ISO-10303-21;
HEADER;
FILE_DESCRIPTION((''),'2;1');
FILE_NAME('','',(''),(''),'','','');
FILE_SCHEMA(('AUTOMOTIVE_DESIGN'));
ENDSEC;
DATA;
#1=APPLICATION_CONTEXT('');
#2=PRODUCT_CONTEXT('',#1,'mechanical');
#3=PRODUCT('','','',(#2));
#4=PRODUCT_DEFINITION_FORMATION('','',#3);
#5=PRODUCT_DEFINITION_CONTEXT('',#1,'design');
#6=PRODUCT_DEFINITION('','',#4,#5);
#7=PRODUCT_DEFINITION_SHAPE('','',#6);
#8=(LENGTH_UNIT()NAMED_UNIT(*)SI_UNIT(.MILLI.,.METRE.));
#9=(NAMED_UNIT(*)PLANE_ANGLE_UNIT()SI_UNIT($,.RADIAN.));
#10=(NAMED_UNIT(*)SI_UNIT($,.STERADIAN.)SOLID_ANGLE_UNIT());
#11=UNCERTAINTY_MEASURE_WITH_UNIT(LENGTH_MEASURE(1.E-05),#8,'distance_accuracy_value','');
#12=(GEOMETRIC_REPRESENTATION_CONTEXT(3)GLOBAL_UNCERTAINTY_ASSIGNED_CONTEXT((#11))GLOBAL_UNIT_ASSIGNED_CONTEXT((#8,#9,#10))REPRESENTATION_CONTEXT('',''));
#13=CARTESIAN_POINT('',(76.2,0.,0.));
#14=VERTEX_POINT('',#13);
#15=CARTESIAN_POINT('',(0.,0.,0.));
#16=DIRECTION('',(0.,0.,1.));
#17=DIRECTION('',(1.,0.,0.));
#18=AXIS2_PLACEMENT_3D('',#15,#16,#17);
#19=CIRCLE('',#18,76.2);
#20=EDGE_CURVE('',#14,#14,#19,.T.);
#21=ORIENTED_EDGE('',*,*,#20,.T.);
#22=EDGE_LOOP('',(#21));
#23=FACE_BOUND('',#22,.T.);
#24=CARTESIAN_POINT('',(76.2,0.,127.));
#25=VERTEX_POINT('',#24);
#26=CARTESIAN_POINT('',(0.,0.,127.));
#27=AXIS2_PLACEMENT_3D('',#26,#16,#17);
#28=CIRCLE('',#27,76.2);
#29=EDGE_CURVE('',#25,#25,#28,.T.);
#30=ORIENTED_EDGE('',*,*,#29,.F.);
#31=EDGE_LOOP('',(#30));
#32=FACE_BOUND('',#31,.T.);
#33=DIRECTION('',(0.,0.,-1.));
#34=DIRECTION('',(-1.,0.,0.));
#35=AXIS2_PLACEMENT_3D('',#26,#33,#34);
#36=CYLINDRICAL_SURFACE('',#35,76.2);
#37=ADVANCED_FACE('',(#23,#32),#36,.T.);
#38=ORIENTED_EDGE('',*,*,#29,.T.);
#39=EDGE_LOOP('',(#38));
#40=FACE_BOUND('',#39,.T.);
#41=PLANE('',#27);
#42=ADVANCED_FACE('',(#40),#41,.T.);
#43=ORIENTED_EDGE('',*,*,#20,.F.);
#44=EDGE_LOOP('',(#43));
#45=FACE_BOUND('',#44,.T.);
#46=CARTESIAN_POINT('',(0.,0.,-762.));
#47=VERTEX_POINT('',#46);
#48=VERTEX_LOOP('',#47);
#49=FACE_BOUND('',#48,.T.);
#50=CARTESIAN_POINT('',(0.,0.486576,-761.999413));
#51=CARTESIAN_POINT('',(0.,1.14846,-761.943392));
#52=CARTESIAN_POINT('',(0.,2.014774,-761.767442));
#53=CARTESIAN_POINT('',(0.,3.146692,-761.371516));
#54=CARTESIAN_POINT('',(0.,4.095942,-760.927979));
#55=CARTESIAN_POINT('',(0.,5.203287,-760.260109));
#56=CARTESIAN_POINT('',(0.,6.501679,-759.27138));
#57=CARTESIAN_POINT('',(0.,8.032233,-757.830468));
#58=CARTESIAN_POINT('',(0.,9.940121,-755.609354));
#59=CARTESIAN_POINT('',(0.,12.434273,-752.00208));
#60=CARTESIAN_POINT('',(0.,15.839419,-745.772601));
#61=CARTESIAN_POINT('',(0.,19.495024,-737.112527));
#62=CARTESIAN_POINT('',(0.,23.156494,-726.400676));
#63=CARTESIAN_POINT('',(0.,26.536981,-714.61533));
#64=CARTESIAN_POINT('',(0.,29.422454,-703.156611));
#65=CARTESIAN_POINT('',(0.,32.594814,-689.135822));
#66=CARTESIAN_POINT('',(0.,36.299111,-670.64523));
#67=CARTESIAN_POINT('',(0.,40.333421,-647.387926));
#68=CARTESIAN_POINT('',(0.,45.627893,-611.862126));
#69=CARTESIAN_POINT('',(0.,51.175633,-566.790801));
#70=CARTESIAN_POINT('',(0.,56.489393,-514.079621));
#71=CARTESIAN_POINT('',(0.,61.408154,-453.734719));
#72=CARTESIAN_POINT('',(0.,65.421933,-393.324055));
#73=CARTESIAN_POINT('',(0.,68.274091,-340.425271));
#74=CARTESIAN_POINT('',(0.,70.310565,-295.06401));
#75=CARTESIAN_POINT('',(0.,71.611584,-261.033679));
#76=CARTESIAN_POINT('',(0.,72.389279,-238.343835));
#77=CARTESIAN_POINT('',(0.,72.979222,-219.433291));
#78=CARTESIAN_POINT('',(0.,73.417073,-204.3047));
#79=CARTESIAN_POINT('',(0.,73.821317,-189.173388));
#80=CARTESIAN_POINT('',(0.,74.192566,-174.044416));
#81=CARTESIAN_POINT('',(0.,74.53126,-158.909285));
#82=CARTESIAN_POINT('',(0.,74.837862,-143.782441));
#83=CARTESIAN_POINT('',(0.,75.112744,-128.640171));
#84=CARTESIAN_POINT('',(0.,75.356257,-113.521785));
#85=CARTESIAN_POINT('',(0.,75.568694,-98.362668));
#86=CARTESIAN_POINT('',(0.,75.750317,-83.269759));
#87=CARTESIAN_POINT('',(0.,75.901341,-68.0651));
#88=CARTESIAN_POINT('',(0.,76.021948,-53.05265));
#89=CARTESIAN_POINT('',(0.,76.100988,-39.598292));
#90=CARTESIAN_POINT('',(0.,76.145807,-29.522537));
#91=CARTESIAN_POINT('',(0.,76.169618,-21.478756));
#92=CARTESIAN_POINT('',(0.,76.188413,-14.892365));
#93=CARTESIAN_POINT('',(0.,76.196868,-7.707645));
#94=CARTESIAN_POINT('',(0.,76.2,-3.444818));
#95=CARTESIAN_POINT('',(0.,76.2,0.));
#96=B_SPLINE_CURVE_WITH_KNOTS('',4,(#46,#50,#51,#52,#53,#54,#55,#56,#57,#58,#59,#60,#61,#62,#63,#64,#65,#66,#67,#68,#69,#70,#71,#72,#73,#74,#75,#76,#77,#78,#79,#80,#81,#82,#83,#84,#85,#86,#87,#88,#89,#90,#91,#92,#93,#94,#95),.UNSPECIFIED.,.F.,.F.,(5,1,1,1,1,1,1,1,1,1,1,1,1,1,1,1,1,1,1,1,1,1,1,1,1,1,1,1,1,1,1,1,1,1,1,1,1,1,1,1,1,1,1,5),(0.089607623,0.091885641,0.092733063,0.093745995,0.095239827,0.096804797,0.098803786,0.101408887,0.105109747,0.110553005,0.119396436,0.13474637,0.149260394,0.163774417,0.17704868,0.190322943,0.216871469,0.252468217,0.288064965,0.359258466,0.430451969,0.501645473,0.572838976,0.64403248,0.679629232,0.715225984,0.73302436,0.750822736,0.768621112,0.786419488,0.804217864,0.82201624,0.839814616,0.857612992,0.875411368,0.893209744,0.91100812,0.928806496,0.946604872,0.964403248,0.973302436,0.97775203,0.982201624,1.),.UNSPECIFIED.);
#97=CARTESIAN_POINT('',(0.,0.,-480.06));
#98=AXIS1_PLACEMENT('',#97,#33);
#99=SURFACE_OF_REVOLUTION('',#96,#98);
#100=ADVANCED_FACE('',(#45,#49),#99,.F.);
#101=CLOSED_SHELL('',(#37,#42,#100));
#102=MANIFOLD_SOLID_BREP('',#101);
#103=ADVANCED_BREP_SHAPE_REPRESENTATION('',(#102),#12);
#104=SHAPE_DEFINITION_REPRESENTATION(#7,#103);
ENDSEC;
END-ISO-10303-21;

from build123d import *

# Parameters (mm, degrees)
SKETCH2_R           = 76.2
BOSS_EXTRUDE1_DEPTH = 127


with BuildPart() as part:
    # Sketch1 → Revolve1 (revolve)
    with BuildSketch(Plane(origin=(0, 0, 0), x_dir=(0, 0, -1), z_dir=(1, 0, 0))):
        with BuildLine():
            Line((0, 76.2), (0, 0))
            Line((0, 0), (762, 0))
            add(Edge.make_bspline(
                [(0, 76.2), (3.444818104, 76.2), (7.707644969, 76.19686838), (14.892365203, 76.188413012), (21.478756426, 76.169617779), (29.522537352, 76.145806533), (39.598292117, 76.10098801), (53.052649609, 76.021948219), (68.065099576, 75.901341261), (83.269759086, 75.750316983), (98.362667519, 75.568694102), (113.521785183, 75.356256889), (128.640171029, 75.112743812), (143.782440946, 74.837862162), (158.909284972, 74.531259641), (174.044415613, 74.192565633), (189.173388186, 73.821317355), (204.304699793, 73.417073214), (219.433291243, 72.979222414), (238.343835211, 72.389279468), (261.033679037, 71.611583805), (295.064010425, 70.310564845), (340.425271329, 68.274091046), (393.324055346, 65.421933445), (453.734719278, 61.408154248), (514.079621007, 56.489392811), (566.790800709, 51.175633377), (611.862125806, 45.627893186), (647.387926465, 40.333421248), (670.645230155, 36.299110575), (689.135822315, 32.594813789), (703.156611323, 29.422453941), (714.615330258, 26.536981051), (726.400675577, 23.156494002), (737.112527419, 19.495024056), (745.772601329, 15.839419247), (752.002079813, 12.434272758), (755.60935351, 9.940121258), (757.830468181, 8.032232587), (759.271379797, 6.50167925), (760.260109141, 5.203286944), (760.927979402, 4.095942308), (761.371516483, 3.146692178), (761.767441532, 2.014774351), (761.943391779, 1.148460367), (761.99941294, 0.486576307), (762, 0)],
                knots=[0.089607623, 0.089607623, 0.089607623, 0.089607623, 0.089607623, 0.107405999, 0.111855593, 0.116305187, 0.125204375, 0.143002751, 0.160801127, 0.178599503, 0.196397879, 0.214196255, 0.231994631, 0.249793007, 0.267591383, 0.285389759, 0.303188135, 0.320986511, 0.338784887, 0.356583263, 0.374381639, 0.409978391, 0.445575143, 0.516768647, 0.58796215, 0.659155654, 0.730349157, 0.801542658, 0.837139406, 0.872736154, 0.89928468, 0.912558943, 0.925833205, 0.940347229, 0.954861253, 0.970211187, 0.979054618, 0.984497876, 0.988198736, 0.990803837, 0.992802826, 0.994367796, 0.995861628, 0.99687456, 0.997721982, 1, 1, 1, 1, 1], degree=4))
        make_face()
    revolve(axis=Axis((0, 0, -480.06), (0, 0, 1)))

    # Sketch2 → Boss-Extrude1 (add)
    with BuildSketch(Plane.XY):
        Circle(SKETCH2_R)
    extrude(amount=BOSS_EXTRUDE1_DEPTH)


solid = part.part
